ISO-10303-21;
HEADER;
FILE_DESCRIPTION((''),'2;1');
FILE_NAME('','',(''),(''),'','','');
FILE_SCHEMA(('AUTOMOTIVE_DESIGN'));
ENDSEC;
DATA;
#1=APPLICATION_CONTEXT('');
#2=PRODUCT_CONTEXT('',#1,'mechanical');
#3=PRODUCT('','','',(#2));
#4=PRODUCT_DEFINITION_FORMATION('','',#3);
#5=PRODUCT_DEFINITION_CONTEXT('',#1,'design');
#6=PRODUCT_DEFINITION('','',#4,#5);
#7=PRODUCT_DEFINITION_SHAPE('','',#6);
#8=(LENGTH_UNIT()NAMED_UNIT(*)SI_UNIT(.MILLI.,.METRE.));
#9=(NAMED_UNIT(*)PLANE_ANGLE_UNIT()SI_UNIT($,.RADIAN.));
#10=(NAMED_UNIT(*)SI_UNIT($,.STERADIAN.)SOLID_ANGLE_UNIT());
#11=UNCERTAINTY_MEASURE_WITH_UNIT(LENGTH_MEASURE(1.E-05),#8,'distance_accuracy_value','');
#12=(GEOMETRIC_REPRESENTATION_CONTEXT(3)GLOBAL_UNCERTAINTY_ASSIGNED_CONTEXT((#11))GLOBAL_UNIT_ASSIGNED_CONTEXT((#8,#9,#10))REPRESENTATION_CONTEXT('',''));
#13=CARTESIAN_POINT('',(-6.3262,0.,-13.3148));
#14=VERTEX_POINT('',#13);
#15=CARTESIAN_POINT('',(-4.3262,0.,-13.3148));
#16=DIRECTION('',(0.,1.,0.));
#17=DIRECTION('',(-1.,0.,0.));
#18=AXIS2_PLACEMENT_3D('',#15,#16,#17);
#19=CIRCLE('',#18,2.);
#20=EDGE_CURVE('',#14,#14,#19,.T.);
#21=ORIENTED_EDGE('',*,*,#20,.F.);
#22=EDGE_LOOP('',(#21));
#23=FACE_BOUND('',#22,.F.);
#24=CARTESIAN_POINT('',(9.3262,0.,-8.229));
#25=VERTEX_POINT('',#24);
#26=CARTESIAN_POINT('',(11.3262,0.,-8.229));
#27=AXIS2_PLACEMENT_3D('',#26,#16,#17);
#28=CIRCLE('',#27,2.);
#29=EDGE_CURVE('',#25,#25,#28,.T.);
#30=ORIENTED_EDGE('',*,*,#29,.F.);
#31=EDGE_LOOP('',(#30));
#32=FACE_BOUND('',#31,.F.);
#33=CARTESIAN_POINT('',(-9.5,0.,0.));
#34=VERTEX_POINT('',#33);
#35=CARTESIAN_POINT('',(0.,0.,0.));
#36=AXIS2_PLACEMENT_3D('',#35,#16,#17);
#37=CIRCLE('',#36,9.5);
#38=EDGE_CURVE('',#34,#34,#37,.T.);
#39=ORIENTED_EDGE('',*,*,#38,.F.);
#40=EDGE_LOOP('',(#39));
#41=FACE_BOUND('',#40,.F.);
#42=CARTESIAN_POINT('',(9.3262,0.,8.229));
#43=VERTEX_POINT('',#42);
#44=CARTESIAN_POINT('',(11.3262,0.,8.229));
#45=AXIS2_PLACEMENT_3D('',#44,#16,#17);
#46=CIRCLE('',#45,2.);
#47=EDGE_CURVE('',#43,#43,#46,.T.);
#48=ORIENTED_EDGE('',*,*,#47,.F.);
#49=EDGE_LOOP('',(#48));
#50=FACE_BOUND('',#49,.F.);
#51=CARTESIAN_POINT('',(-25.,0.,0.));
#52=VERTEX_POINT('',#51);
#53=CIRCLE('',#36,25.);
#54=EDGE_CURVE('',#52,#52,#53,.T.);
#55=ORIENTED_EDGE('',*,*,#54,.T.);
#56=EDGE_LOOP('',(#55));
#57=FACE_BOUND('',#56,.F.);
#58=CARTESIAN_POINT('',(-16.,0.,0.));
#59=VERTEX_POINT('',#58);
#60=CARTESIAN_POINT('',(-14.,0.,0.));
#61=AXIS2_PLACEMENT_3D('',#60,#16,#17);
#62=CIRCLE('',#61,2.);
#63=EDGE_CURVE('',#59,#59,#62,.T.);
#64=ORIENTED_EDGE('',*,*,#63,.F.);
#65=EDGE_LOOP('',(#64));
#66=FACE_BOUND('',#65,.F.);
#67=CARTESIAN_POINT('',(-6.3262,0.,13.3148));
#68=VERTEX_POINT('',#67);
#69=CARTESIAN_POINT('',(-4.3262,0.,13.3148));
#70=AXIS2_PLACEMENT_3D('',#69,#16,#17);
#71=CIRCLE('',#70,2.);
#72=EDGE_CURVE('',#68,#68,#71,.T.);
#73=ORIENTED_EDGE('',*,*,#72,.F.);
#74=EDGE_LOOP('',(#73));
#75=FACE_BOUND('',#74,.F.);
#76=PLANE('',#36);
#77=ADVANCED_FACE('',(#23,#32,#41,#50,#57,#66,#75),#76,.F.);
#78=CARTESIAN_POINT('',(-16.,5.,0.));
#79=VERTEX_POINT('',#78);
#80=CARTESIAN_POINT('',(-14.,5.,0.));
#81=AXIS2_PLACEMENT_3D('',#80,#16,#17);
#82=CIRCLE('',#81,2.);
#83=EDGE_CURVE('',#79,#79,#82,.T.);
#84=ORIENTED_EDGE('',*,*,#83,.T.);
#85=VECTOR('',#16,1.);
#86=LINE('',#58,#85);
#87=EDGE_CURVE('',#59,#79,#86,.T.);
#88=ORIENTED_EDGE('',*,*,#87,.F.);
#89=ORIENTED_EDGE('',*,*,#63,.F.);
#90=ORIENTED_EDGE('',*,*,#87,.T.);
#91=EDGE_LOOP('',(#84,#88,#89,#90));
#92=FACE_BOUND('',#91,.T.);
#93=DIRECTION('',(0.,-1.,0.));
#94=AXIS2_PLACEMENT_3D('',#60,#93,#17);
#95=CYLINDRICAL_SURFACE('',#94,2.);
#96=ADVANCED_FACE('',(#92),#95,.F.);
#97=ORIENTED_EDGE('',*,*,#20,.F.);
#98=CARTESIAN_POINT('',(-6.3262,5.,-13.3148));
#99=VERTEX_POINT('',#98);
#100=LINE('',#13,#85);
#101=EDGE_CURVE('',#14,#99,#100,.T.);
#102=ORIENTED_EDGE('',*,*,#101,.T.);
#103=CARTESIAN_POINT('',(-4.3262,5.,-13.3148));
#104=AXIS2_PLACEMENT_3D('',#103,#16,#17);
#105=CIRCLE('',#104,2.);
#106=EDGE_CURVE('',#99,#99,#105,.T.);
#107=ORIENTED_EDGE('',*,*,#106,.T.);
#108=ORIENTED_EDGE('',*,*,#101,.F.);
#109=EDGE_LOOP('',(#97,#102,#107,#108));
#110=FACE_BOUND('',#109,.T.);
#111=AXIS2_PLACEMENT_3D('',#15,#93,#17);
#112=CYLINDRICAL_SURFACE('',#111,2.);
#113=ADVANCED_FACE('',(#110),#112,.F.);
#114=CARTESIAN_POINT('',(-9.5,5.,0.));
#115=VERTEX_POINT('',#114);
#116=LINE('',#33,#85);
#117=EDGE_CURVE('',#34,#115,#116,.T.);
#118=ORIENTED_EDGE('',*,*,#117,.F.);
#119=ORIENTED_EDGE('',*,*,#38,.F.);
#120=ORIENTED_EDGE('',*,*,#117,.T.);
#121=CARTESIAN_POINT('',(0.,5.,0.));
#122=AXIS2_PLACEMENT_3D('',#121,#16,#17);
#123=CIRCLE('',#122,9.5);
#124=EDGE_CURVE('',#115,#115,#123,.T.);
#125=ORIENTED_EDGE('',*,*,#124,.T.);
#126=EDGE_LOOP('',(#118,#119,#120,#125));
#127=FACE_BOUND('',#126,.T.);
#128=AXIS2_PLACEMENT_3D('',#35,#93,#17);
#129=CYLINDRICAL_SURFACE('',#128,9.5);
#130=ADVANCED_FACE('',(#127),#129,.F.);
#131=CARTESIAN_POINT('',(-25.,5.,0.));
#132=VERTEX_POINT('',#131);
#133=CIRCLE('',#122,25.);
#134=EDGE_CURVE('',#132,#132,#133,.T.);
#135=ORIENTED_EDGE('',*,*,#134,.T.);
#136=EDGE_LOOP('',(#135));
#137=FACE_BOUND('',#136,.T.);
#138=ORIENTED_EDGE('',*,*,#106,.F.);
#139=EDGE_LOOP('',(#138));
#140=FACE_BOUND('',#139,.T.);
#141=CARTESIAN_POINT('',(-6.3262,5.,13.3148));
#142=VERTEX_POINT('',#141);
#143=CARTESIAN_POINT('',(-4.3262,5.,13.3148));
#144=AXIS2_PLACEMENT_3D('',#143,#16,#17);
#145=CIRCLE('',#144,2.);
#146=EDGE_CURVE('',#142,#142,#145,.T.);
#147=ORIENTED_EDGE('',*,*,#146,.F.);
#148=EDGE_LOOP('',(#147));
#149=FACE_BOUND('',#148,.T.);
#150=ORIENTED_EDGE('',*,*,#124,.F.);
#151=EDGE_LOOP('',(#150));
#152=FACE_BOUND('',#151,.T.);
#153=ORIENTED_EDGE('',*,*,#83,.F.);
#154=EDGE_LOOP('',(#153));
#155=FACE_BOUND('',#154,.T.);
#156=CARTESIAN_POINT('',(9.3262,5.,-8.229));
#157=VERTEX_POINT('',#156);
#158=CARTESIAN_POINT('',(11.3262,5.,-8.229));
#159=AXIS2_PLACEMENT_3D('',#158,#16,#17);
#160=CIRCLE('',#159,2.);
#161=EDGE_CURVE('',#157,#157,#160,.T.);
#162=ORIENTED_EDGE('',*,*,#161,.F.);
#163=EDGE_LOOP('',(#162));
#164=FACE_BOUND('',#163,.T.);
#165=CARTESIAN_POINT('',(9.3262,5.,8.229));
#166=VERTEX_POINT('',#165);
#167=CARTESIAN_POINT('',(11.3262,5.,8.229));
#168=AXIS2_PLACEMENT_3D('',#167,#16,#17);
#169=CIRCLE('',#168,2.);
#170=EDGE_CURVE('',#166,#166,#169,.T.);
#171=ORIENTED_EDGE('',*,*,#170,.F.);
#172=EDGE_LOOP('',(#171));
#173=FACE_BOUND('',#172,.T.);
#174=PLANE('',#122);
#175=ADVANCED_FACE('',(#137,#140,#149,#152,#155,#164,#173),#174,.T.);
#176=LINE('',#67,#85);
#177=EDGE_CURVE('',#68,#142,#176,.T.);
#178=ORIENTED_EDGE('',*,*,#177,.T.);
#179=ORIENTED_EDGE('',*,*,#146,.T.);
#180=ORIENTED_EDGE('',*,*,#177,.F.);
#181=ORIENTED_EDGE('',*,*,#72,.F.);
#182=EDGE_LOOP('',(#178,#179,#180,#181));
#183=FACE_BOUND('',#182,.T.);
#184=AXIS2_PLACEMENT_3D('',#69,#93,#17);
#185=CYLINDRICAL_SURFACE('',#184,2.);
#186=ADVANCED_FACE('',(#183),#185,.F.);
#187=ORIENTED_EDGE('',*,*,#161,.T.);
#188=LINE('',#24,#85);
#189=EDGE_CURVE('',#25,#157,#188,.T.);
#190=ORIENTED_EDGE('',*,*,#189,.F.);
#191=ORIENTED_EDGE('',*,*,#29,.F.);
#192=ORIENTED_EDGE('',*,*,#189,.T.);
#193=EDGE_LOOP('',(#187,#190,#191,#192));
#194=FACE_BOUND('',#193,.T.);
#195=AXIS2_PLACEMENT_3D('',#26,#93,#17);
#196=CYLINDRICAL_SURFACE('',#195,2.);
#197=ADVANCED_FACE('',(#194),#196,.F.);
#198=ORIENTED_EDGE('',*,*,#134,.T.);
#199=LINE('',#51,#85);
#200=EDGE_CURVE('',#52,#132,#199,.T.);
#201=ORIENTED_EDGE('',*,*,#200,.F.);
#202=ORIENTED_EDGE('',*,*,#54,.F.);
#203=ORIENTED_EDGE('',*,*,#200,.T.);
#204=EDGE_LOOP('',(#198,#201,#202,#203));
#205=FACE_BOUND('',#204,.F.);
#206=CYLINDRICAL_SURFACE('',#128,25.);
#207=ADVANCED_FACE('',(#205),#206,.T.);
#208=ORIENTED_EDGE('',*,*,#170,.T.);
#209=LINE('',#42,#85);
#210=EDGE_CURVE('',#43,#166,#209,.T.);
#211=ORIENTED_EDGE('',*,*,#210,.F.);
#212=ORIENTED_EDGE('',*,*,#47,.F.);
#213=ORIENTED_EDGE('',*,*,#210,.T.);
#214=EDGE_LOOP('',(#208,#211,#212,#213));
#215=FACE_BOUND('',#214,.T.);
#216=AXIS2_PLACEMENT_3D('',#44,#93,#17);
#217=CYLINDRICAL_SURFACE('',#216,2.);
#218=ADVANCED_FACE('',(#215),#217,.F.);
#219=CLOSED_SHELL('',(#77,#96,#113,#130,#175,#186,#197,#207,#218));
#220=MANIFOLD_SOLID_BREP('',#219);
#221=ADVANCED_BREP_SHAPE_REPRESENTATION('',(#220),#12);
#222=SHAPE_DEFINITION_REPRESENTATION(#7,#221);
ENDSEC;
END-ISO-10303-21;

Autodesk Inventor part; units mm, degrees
ref_plane "YZ Plane" through (0, 0, 0) normal (1, 0, 0) x (0, 1, 0)
ref_plane "XZ Plane" through (0, 0, 0) normal (0, 1, 0) x (-1, 0, 0)
ref_plane "XY Plane" through (0, 0, 0) normal (0, 0, 1) x (1, 0, 0)
sketch "Эскиз1" plane through (0, 0, 0) normal (0, 1, 0) x (-1, 0, 0)
  circle A0 centre (0, 0) radius 9.5
  circle A1 centre (0, 0) radius 25
  circle A2 centre (14, 0) radius 2
  circle A3 centre (4.3262, 13.3148) radius 2
  circle A4 centre (-11.3262, 8.229) radius 2
  circle A5 centre (-11.3262, -8.229) radius 2
  circle A6 centre (4.3262, -13.3148) radius 2
  dimension "d0" = 19
  dimension "d1" = 50
  dimension "d2" = 4
  dimension "d3" = 14
  dimension "d6" = 360
extrude "Выдавливание1" add sketch "Эскиз1" along normal blind 5
properties part number "ротор мотора"
